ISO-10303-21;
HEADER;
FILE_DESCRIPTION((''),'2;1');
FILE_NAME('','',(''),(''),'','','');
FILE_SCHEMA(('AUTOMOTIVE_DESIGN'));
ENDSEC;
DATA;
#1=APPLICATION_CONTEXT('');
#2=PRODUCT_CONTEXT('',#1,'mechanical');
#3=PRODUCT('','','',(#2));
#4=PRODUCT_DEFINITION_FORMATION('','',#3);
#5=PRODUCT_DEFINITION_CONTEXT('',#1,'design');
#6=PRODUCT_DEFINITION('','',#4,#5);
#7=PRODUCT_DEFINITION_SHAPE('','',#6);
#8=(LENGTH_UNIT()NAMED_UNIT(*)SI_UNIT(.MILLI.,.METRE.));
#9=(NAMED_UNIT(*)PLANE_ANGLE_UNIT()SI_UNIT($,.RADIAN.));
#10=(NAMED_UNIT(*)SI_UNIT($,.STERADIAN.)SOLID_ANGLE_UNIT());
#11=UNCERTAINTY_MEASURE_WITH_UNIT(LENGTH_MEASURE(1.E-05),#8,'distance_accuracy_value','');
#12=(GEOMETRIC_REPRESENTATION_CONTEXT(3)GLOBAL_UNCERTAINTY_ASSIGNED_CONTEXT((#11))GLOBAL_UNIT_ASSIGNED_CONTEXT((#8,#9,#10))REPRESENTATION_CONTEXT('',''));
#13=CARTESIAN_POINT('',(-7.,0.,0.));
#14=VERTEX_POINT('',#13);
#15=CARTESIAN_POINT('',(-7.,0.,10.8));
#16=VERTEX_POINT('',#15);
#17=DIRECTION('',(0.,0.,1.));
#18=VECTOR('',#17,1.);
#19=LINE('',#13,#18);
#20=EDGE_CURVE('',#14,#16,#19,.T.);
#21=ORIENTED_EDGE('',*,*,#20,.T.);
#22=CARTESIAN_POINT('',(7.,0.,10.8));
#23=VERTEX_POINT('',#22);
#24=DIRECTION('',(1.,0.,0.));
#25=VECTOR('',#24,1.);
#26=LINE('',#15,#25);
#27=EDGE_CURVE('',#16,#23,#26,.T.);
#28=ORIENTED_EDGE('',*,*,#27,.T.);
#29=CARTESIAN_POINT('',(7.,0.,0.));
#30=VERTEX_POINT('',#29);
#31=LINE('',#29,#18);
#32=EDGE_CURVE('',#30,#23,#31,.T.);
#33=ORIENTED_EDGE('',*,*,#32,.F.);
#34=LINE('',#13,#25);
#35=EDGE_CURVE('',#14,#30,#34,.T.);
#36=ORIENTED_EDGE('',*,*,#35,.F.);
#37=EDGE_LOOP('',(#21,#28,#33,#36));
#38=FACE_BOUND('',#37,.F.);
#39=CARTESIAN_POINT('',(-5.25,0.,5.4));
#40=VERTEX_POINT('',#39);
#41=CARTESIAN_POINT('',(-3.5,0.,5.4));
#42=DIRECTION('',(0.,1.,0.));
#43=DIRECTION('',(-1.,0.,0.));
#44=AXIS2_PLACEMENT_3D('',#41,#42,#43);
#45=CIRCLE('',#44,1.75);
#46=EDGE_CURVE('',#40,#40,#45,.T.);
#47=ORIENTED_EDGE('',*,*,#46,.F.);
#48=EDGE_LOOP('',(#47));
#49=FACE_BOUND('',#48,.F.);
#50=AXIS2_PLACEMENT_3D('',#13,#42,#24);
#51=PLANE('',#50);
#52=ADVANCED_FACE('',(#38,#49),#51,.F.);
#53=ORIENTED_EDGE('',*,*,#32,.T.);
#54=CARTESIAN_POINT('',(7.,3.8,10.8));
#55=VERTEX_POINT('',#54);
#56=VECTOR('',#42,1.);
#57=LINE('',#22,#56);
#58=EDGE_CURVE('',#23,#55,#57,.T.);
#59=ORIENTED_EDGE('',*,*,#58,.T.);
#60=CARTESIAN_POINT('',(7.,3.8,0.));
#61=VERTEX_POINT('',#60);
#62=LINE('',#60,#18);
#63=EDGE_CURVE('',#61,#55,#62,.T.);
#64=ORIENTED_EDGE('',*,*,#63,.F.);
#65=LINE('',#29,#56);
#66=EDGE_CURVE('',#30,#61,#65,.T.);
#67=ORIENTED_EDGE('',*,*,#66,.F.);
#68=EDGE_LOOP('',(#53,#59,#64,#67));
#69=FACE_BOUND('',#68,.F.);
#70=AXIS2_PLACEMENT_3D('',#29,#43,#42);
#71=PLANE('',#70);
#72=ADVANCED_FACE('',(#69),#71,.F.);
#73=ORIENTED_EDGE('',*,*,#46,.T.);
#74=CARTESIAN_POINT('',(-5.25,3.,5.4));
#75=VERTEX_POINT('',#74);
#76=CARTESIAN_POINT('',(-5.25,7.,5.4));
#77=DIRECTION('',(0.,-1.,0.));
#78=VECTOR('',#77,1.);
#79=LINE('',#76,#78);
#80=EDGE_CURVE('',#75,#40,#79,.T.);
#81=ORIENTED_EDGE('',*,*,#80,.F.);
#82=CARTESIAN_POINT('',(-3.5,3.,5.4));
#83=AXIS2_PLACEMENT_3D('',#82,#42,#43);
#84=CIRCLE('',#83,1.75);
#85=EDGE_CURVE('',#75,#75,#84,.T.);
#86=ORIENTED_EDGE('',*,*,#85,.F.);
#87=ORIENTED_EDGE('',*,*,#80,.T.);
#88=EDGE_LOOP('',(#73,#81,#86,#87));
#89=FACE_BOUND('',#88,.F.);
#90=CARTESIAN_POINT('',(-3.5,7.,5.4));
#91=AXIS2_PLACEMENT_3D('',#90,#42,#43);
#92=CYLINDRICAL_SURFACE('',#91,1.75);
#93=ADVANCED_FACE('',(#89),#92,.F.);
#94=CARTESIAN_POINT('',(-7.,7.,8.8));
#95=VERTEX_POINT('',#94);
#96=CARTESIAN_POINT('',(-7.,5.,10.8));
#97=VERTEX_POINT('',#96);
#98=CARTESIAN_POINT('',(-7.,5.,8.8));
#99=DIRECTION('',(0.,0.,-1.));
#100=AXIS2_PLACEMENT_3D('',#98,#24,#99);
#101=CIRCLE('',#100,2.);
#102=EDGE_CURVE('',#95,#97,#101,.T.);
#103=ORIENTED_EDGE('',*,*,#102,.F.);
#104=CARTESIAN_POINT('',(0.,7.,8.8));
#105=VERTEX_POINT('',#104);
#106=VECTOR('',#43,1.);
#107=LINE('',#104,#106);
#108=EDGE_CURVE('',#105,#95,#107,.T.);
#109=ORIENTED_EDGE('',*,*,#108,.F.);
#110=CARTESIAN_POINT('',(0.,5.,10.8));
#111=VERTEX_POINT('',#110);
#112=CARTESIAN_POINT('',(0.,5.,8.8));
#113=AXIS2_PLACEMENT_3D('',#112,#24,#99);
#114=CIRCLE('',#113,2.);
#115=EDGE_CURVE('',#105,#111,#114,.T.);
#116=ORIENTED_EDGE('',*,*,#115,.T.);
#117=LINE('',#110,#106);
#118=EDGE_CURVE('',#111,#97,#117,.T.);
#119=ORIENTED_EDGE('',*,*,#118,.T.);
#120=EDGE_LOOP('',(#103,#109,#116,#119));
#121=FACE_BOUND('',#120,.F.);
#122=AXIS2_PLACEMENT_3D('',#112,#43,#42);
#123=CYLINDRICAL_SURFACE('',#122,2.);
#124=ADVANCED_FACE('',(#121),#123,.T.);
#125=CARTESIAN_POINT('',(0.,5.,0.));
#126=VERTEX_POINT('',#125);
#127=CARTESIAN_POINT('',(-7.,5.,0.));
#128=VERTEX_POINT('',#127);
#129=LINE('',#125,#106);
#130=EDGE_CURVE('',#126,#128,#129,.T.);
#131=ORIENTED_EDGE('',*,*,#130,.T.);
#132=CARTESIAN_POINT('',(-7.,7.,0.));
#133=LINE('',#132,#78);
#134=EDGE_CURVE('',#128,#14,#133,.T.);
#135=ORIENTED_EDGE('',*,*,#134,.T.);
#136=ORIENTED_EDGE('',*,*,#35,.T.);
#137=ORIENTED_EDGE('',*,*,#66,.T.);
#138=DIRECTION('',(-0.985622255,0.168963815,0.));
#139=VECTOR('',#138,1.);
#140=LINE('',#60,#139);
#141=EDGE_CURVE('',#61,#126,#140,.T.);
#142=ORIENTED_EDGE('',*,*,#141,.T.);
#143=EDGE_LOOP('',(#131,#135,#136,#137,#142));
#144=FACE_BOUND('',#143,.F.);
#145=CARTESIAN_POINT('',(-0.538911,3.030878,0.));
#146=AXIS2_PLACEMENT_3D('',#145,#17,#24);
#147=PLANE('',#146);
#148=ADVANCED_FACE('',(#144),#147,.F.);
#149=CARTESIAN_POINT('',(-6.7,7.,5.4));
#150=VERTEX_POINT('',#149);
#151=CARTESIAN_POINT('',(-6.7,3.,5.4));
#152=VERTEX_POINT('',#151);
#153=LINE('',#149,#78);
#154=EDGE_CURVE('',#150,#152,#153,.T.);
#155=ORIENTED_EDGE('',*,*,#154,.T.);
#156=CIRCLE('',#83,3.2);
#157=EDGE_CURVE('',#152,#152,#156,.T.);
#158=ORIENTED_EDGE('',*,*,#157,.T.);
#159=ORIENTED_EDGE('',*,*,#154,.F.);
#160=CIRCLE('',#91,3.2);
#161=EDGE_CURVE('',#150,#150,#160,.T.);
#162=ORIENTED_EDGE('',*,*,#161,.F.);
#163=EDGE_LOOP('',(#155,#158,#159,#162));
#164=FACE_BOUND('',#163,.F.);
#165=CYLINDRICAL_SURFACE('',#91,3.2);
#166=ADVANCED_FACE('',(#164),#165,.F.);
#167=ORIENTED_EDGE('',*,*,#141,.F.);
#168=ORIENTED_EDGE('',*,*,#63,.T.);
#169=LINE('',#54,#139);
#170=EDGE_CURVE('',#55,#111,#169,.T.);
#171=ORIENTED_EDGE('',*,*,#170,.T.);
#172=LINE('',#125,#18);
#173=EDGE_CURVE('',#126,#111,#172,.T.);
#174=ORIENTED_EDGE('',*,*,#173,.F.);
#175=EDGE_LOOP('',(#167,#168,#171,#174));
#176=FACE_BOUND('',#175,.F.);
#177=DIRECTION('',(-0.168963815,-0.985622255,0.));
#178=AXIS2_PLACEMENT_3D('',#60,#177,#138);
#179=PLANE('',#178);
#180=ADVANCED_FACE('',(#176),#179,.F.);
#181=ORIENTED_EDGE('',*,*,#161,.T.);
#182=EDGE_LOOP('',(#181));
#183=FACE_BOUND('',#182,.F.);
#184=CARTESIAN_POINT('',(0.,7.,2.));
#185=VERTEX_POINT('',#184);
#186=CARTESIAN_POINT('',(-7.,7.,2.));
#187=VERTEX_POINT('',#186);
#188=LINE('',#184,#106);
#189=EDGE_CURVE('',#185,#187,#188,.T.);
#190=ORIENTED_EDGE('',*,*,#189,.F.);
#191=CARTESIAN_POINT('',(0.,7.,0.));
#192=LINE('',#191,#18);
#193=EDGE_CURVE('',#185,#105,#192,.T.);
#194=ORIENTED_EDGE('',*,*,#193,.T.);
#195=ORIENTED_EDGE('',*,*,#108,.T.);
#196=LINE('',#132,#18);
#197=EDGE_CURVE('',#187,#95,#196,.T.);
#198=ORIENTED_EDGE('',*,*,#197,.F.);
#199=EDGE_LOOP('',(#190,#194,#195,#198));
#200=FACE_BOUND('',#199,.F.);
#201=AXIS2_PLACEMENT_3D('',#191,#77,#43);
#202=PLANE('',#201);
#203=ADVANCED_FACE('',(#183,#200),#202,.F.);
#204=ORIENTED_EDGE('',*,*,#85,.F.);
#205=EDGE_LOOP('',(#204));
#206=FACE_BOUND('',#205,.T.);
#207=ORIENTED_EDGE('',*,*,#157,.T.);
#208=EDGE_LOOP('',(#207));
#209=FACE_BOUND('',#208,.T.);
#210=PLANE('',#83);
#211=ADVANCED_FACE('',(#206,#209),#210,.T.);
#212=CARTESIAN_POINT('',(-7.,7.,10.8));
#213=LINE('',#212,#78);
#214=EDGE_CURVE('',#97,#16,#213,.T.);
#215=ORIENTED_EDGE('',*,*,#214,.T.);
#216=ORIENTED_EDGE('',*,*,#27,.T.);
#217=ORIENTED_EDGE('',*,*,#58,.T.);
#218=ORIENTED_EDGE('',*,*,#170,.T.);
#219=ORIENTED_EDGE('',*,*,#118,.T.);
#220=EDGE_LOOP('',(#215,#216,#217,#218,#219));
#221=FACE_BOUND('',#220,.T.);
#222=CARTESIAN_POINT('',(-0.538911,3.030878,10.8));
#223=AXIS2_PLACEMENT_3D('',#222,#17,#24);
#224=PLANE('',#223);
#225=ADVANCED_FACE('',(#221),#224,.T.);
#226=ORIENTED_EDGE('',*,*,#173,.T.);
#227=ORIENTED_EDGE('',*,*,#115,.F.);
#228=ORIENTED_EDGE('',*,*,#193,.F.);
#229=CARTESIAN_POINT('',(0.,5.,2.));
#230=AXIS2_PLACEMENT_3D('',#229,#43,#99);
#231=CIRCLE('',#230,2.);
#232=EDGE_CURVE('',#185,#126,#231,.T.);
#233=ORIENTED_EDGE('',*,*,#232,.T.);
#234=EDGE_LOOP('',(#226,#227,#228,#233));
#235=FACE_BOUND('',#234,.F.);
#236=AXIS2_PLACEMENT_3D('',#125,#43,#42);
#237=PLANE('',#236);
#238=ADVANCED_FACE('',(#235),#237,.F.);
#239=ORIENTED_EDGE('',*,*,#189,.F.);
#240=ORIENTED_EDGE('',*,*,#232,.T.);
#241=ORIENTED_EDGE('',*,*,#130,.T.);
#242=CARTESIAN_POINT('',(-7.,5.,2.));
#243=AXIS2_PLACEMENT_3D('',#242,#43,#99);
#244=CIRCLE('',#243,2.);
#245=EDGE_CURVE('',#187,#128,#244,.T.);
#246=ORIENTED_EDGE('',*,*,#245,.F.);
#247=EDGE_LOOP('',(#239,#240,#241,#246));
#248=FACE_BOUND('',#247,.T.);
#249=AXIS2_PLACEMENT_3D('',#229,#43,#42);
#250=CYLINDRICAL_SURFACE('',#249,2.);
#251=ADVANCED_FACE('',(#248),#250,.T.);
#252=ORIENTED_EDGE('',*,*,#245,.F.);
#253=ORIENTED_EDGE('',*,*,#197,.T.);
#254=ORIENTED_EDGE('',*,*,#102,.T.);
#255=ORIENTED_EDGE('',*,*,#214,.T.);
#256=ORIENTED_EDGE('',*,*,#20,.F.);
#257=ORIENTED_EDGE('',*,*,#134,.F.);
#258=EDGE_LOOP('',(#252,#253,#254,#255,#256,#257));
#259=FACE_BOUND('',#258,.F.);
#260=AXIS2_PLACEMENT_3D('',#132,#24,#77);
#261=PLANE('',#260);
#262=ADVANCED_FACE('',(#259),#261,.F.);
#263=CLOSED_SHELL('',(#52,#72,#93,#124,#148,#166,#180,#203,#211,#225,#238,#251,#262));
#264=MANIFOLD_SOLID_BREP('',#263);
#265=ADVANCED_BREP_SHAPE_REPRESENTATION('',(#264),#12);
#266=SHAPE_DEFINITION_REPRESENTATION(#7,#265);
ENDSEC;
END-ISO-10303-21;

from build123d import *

# Parameters (mm, degrees)
F1_DEPTH = 10.8
F2_R     = 1.75
F3_DEPTH = 7.001
F4_R     = 3.2
F5_DEPTH = 4
F6_R     = 2


with BuildPart() as f1:
    # F0 (on Top) → F1 (new body)
    with BuildSketch(Plane.XY):
        Polygon((-7, 7), (-7, 0), (7, 0), (7, 3.8), (0, 5), (0, 7), align=None)
    extrude(amount=F1_DEPTH)

    # F2 (on face) → F3 (cut, through all)
    with BuildSketch(Plane(origin=(0, 7, 0), x_dir=(-1, 0, 0), z_dir=(0, 1, 0))):
        with Locations((3.5, 5.4)):
            Circle(F2_R)
    extrude(amount=-F3_DEPTH, mode=Mode.SUBTRACT)

    # F4 (on face) → F5 (cut)
    with BuildSketch(Plane(origin=(0, 7, 0), x_dir=(-1, 0, 0), z_dir=(0, 1, 0))):
        with Locations((3.5, 5.4)):
            Circle(F4_R)
    extrude(amount=-F5_DEPTH, mode=Mode.SUBTRACT)

    # F6
    f6_edges = [f1.edges().sort_by_distance(p)[0] for p in [
        (-3.5, 7, 10.8),
        (-3.5, 7, 0),
    ]]
    fillet(f6_edges, radius=F6_R)


solid = f1.part
